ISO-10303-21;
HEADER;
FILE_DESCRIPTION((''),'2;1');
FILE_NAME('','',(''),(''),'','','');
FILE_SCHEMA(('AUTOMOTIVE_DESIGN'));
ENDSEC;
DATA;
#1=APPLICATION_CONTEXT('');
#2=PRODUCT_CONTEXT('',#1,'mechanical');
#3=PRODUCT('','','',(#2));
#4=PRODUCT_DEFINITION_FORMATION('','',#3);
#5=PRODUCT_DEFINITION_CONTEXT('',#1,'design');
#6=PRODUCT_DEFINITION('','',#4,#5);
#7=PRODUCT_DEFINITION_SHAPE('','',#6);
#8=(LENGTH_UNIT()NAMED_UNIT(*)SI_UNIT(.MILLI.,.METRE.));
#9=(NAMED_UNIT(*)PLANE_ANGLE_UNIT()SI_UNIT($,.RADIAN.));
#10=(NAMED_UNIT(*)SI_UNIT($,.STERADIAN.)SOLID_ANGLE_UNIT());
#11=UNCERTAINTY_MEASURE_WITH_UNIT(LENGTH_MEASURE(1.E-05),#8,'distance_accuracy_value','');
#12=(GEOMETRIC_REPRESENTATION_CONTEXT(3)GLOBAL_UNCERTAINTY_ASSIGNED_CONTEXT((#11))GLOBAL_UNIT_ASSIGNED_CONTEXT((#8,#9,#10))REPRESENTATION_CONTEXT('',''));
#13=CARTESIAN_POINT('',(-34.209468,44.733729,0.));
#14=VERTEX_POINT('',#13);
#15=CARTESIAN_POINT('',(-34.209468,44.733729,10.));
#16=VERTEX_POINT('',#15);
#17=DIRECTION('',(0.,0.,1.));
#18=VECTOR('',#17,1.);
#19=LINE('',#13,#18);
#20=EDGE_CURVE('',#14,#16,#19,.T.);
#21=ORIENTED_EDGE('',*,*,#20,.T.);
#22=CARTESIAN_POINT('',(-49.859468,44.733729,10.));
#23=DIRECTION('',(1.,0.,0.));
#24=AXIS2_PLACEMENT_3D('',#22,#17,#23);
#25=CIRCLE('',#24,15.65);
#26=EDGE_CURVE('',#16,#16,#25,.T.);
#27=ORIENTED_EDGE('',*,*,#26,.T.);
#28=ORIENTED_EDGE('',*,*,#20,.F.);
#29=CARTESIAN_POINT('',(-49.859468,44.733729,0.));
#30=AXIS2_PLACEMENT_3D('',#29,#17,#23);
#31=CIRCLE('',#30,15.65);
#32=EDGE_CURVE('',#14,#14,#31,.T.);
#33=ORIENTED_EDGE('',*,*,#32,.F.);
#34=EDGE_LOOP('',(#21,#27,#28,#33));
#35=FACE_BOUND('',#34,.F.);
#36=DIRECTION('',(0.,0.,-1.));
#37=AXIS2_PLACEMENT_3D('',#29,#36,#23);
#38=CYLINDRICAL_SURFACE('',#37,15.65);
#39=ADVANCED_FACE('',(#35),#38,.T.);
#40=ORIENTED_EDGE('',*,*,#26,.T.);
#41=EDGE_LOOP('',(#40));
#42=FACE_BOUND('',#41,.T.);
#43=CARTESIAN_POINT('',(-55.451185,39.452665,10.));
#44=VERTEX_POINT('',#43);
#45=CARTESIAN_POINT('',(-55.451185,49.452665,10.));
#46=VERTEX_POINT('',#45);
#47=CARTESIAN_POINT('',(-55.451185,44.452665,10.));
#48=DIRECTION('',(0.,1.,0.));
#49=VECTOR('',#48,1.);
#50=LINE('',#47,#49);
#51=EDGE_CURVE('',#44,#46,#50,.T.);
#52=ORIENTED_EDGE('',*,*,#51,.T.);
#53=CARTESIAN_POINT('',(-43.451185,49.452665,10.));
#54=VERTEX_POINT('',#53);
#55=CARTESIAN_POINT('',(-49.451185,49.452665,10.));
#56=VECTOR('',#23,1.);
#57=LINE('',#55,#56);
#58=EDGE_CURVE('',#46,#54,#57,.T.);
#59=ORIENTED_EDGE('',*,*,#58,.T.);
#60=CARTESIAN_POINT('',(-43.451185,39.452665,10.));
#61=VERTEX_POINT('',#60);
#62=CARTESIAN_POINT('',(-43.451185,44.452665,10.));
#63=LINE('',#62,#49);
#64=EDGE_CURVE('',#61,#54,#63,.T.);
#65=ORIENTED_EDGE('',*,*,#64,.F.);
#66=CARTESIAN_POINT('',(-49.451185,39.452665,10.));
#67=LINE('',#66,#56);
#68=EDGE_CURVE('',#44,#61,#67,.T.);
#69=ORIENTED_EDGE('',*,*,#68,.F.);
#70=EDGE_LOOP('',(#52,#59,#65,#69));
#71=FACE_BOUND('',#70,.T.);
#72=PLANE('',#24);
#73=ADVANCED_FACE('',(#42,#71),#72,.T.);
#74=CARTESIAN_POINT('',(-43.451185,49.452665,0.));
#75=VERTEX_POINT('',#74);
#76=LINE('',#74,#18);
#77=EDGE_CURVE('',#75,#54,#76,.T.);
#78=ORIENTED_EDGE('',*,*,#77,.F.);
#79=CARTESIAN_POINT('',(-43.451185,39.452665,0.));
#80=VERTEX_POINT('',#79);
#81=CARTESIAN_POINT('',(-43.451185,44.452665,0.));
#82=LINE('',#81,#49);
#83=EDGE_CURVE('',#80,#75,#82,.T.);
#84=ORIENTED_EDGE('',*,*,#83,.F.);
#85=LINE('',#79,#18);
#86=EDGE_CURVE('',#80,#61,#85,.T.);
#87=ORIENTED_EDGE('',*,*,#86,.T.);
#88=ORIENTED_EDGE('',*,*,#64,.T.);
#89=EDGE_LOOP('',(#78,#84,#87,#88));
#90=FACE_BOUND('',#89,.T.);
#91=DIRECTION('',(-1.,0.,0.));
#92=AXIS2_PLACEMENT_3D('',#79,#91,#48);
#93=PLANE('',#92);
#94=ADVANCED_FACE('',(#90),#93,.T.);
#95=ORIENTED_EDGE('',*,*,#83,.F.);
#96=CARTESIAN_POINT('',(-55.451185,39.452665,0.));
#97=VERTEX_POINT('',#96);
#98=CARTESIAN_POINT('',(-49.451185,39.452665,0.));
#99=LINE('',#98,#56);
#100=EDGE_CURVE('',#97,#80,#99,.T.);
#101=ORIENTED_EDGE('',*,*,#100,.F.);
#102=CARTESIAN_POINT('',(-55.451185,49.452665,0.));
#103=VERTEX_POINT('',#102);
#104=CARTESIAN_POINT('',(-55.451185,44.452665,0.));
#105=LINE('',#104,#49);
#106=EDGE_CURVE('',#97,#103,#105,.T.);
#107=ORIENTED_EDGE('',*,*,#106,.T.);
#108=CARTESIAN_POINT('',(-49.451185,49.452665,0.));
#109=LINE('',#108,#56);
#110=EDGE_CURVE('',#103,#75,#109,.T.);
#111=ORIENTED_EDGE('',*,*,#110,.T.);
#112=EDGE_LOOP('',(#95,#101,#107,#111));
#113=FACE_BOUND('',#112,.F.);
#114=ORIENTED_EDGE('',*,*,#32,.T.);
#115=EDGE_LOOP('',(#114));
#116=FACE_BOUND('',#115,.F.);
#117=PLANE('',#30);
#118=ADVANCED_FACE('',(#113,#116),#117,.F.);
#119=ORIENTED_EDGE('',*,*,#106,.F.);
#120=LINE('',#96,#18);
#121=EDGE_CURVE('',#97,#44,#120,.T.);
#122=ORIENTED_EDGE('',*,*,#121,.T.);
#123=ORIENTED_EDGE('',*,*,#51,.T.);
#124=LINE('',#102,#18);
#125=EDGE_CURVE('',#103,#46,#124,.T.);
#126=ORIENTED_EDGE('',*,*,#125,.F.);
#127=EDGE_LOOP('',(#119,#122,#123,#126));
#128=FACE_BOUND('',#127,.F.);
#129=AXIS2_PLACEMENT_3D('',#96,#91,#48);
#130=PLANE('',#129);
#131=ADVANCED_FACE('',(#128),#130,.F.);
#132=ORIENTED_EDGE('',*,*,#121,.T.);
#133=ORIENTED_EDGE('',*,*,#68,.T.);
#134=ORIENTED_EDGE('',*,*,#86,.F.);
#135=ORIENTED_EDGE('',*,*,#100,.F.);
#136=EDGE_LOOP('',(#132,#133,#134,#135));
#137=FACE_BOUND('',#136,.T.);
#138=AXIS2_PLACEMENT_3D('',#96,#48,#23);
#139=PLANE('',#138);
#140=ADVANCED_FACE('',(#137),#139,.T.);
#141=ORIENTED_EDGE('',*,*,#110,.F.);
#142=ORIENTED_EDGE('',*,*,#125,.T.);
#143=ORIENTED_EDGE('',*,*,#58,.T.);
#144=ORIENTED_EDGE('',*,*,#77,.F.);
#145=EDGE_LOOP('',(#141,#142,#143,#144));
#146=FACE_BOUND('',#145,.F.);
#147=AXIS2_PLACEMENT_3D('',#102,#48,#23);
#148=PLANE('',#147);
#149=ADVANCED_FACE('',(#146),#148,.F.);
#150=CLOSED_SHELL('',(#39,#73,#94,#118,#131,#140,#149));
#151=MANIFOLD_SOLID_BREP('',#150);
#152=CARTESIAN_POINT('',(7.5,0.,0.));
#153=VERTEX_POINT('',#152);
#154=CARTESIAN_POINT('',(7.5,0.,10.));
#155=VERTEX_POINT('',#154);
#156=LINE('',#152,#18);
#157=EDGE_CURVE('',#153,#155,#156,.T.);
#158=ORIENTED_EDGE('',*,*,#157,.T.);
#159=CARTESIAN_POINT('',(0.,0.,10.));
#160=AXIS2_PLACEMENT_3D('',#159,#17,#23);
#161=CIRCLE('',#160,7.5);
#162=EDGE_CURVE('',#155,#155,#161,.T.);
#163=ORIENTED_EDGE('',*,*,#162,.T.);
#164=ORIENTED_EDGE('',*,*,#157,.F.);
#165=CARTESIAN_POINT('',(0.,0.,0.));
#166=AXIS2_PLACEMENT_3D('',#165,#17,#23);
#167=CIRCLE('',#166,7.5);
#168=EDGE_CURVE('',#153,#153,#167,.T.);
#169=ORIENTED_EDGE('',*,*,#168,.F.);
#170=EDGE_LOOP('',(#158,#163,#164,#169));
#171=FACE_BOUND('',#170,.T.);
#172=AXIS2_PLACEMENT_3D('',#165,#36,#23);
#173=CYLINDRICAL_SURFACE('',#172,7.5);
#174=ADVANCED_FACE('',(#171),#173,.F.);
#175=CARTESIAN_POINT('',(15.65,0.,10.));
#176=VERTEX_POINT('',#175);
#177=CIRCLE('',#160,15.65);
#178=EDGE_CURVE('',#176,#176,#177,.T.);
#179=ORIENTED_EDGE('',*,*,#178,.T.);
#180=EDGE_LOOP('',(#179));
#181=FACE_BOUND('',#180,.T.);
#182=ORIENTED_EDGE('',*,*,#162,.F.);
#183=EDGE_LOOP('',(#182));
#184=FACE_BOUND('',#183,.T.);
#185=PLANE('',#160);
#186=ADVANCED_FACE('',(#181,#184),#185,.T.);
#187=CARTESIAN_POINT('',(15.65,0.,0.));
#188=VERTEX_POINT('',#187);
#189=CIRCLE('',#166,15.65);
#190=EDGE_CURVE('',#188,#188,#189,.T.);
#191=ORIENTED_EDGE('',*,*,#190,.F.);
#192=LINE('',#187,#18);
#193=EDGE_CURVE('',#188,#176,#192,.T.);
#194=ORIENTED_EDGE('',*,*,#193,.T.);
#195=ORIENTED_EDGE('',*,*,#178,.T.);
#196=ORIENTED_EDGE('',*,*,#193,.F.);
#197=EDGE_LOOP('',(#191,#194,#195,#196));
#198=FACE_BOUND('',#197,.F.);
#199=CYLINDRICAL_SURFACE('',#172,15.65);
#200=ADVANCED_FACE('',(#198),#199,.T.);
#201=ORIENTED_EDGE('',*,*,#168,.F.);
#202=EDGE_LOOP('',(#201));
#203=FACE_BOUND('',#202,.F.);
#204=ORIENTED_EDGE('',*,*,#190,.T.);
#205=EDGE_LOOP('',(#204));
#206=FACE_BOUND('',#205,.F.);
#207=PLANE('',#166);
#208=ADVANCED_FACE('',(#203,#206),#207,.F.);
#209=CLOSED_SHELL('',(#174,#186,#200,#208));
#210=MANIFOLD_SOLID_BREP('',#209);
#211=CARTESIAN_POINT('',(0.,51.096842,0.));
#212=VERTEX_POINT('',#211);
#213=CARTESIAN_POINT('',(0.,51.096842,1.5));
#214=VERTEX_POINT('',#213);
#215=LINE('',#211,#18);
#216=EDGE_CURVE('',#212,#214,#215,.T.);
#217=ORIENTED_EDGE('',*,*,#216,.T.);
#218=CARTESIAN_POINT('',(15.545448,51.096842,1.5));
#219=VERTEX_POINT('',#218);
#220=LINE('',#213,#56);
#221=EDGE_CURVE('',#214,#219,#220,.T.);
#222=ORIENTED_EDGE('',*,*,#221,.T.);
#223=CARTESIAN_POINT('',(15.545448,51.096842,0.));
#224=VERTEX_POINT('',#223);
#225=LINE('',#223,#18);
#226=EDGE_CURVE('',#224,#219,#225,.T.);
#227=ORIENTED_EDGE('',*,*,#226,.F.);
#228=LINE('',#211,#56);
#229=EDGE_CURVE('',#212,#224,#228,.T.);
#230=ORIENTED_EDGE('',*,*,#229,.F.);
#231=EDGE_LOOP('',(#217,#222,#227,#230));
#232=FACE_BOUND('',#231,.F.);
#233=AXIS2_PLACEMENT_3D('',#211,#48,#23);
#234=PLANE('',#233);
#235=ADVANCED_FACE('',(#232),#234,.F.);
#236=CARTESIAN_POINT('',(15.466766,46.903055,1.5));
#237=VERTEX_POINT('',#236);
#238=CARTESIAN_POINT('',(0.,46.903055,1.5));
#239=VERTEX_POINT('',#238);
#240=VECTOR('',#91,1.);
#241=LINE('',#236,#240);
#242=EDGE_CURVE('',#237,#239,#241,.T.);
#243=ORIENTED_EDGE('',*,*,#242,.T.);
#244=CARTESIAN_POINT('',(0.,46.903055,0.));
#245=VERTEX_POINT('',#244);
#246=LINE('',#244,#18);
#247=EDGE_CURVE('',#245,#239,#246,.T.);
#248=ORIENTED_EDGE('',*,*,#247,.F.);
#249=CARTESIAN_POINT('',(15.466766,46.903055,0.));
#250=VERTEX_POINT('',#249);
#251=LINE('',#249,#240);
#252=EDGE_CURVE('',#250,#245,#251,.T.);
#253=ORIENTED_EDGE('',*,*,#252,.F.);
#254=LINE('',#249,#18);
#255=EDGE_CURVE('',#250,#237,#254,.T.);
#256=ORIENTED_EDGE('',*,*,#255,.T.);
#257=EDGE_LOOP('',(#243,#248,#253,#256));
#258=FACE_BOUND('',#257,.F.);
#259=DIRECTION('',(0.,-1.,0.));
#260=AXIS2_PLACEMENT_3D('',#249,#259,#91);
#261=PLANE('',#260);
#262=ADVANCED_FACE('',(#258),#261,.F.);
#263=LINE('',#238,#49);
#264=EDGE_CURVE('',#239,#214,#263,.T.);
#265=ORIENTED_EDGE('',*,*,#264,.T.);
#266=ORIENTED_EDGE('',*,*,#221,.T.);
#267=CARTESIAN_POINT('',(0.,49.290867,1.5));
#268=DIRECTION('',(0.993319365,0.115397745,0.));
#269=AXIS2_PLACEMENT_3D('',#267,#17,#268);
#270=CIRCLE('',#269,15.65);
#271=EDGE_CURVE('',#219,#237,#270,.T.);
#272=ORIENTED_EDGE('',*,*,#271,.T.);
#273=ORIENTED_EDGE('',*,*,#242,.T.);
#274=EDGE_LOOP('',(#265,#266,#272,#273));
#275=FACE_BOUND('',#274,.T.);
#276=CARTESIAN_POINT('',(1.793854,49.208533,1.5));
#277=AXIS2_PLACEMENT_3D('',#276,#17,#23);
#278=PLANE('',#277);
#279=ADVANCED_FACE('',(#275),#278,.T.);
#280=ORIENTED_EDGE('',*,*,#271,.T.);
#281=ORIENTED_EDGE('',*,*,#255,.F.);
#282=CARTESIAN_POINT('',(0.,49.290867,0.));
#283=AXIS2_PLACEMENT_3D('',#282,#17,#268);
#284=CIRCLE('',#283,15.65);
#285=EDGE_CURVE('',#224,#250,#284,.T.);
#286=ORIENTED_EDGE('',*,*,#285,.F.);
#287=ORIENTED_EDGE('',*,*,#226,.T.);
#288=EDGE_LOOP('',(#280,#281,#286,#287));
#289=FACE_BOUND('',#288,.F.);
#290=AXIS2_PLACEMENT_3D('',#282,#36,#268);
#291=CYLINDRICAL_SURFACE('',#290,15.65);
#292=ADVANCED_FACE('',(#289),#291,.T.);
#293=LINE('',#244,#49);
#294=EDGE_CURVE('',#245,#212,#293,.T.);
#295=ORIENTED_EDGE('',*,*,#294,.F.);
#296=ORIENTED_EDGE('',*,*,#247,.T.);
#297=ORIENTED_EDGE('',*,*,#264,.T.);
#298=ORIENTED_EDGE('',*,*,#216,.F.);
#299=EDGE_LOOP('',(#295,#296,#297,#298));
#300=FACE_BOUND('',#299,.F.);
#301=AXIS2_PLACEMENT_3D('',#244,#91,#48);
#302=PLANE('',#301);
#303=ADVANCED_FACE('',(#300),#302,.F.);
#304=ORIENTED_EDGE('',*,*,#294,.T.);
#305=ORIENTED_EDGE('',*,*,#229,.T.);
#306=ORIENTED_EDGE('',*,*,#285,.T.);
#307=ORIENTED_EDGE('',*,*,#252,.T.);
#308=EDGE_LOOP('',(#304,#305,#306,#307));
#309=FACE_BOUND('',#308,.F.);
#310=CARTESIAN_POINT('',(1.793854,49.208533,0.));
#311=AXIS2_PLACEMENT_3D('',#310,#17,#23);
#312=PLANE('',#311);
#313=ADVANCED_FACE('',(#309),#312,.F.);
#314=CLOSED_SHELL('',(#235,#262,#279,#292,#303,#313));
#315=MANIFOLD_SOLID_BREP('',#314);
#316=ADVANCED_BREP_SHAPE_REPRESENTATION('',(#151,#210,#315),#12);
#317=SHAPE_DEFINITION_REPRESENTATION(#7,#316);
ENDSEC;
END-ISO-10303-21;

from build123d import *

# Parameters (mm, degrees)
F0_R     = 15.65
F0_R_2   = 7.5
F1_DEPTH = 10
F2_R     = 15.65
F2_W     = 12
F2_H     = 10
F3_DEPTH = 10
F5_DEPTH = 1.5


with BuildPart() as f1:
    # F0 (on Top) → F1 (new body)
    with BuildSketch(Plane.XY):
        Circle(F0_R)
        Circle(F0_R_2, mode=Mode.SUBTRACT)
    extrude(amount=F1_DEPTH)


with BuildPart() as f3:
    # F2 (on Top) → F3 (new body)
    with BuildSketch(Plane.XY):
        with Locations((-49.859468, 44.733729)):
            Circle(F2_R)
        with Locations((-49.451185, 44.452665)):
            Rectangle(F2_W, F2_H, mode=Mode.SUBTRACT)
    extrude(amount=F3_DEPTH)


with BuildPart() as f5:
    # F4 (on Top) → F5 (new body)
    with BuildSketch(Plane.XY):
        with BuildLine():
            Line((0, 51.096842), (15.545448, 51.096842))
            ThreePointArc((15.545448, 51.096842), (-15.647246, 49.584437), (15.466766, 46.903055))
            Line((15.466766, 46.903055), (0, 46.903055))
            Line((0, 46.903055), (0, 51.096842))
        make_face()
    extrude(amount=F5_DEPTH)


solid = Compound([f1.part, f3.part, f5.part])
